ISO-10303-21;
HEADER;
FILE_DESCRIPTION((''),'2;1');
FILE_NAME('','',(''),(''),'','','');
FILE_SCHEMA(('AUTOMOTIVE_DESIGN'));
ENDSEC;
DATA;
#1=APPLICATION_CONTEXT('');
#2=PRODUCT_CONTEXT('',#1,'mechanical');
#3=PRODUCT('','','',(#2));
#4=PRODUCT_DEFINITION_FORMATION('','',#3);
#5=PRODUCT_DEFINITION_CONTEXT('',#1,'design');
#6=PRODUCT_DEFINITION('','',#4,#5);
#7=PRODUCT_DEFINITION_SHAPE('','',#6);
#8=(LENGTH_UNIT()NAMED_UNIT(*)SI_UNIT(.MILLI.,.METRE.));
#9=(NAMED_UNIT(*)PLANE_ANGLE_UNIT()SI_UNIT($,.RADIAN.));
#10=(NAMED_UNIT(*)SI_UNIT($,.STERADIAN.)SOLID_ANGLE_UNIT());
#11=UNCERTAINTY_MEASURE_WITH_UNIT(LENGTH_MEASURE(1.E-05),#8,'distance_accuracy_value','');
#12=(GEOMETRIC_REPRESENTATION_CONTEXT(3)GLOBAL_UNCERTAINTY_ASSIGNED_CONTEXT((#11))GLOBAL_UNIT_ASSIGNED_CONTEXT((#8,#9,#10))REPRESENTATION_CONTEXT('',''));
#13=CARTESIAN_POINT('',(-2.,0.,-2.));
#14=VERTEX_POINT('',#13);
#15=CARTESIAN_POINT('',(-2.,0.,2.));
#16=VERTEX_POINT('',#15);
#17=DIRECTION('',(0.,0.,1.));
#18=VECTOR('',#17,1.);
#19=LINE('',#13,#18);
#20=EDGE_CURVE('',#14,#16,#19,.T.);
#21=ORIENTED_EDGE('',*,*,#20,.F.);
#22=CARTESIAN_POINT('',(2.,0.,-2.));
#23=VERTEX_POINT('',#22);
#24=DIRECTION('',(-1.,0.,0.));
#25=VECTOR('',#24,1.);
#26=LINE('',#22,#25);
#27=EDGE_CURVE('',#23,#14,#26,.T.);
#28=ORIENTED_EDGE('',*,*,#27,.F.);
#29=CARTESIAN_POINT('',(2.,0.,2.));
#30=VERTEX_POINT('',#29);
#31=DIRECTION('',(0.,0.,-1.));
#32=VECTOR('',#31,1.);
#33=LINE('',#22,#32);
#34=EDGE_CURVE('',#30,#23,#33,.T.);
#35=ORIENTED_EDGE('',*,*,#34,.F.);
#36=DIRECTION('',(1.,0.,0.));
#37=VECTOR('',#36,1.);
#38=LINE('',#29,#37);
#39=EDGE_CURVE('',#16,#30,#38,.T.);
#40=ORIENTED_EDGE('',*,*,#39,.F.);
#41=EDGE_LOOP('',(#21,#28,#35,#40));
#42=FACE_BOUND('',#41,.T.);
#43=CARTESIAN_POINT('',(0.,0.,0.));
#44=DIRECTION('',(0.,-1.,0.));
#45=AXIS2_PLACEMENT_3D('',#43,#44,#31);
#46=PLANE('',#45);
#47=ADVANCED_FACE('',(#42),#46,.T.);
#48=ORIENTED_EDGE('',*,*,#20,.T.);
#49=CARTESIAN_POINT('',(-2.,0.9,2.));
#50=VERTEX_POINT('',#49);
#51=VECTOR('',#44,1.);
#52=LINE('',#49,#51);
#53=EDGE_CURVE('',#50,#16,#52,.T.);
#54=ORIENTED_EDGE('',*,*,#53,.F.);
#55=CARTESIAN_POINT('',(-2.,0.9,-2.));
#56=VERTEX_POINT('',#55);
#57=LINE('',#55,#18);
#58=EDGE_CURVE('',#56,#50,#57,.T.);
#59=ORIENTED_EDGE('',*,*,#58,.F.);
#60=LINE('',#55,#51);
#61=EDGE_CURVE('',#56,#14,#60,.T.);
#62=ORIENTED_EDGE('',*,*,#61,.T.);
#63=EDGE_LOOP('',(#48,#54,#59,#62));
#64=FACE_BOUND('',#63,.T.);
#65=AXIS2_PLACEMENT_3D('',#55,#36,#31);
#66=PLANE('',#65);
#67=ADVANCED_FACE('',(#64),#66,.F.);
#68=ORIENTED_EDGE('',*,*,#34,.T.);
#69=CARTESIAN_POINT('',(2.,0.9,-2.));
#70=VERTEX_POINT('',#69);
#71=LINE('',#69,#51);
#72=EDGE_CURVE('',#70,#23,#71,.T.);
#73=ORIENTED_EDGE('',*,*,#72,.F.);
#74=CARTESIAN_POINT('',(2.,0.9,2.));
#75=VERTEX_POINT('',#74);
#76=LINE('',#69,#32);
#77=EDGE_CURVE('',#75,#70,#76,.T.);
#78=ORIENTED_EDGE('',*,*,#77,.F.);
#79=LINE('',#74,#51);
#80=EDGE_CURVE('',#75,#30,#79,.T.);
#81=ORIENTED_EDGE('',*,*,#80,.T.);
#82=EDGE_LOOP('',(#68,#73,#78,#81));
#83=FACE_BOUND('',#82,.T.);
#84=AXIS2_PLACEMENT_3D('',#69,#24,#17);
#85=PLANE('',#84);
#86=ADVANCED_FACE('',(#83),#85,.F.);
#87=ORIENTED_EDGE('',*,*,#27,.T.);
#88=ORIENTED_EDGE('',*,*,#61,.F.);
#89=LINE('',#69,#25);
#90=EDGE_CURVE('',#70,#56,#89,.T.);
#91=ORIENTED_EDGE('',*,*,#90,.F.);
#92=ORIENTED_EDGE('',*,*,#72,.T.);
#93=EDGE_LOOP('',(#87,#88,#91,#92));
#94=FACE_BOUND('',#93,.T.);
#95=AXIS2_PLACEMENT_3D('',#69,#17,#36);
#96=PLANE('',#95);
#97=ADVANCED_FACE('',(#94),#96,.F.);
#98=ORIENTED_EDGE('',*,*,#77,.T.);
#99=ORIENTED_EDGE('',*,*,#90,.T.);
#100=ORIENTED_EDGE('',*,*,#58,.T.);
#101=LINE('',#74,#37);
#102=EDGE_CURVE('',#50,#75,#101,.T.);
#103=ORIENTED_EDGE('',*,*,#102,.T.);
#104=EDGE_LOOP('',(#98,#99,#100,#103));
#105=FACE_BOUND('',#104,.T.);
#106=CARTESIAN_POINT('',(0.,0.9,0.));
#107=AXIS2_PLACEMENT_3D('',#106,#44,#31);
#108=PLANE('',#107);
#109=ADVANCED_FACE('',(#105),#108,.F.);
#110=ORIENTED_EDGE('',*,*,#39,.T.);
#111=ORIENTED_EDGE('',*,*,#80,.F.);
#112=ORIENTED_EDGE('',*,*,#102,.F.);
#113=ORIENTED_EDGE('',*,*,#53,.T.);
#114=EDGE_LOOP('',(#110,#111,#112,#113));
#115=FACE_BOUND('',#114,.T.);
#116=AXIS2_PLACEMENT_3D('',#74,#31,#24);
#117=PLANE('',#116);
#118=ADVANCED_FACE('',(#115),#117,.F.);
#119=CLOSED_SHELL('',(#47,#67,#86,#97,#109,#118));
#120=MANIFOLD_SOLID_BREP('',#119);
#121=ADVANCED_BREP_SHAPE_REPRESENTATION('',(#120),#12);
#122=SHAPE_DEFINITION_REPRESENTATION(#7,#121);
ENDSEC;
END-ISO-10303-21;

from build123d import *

# Parameters (mm, degrees)
SKETCH1_W           = 4
SKETCH1_H           = 4
BOSS_EXTRUDE1_DEPTH = 0.9


with BuildPart() as part:
    # Sketch1 → Boss-Extrude1 (new body)
    with BuildSketch(Plane(origin=(0, 0, 0), x_dir=(1, 0, 0), z_dir=(0, 1, 0))):
        Rectangle(SKETCH1_W, SKETCH1_H)
    extrude(amount=BOSS_EXTRUDE1_DEPTH)


solid = part.part
